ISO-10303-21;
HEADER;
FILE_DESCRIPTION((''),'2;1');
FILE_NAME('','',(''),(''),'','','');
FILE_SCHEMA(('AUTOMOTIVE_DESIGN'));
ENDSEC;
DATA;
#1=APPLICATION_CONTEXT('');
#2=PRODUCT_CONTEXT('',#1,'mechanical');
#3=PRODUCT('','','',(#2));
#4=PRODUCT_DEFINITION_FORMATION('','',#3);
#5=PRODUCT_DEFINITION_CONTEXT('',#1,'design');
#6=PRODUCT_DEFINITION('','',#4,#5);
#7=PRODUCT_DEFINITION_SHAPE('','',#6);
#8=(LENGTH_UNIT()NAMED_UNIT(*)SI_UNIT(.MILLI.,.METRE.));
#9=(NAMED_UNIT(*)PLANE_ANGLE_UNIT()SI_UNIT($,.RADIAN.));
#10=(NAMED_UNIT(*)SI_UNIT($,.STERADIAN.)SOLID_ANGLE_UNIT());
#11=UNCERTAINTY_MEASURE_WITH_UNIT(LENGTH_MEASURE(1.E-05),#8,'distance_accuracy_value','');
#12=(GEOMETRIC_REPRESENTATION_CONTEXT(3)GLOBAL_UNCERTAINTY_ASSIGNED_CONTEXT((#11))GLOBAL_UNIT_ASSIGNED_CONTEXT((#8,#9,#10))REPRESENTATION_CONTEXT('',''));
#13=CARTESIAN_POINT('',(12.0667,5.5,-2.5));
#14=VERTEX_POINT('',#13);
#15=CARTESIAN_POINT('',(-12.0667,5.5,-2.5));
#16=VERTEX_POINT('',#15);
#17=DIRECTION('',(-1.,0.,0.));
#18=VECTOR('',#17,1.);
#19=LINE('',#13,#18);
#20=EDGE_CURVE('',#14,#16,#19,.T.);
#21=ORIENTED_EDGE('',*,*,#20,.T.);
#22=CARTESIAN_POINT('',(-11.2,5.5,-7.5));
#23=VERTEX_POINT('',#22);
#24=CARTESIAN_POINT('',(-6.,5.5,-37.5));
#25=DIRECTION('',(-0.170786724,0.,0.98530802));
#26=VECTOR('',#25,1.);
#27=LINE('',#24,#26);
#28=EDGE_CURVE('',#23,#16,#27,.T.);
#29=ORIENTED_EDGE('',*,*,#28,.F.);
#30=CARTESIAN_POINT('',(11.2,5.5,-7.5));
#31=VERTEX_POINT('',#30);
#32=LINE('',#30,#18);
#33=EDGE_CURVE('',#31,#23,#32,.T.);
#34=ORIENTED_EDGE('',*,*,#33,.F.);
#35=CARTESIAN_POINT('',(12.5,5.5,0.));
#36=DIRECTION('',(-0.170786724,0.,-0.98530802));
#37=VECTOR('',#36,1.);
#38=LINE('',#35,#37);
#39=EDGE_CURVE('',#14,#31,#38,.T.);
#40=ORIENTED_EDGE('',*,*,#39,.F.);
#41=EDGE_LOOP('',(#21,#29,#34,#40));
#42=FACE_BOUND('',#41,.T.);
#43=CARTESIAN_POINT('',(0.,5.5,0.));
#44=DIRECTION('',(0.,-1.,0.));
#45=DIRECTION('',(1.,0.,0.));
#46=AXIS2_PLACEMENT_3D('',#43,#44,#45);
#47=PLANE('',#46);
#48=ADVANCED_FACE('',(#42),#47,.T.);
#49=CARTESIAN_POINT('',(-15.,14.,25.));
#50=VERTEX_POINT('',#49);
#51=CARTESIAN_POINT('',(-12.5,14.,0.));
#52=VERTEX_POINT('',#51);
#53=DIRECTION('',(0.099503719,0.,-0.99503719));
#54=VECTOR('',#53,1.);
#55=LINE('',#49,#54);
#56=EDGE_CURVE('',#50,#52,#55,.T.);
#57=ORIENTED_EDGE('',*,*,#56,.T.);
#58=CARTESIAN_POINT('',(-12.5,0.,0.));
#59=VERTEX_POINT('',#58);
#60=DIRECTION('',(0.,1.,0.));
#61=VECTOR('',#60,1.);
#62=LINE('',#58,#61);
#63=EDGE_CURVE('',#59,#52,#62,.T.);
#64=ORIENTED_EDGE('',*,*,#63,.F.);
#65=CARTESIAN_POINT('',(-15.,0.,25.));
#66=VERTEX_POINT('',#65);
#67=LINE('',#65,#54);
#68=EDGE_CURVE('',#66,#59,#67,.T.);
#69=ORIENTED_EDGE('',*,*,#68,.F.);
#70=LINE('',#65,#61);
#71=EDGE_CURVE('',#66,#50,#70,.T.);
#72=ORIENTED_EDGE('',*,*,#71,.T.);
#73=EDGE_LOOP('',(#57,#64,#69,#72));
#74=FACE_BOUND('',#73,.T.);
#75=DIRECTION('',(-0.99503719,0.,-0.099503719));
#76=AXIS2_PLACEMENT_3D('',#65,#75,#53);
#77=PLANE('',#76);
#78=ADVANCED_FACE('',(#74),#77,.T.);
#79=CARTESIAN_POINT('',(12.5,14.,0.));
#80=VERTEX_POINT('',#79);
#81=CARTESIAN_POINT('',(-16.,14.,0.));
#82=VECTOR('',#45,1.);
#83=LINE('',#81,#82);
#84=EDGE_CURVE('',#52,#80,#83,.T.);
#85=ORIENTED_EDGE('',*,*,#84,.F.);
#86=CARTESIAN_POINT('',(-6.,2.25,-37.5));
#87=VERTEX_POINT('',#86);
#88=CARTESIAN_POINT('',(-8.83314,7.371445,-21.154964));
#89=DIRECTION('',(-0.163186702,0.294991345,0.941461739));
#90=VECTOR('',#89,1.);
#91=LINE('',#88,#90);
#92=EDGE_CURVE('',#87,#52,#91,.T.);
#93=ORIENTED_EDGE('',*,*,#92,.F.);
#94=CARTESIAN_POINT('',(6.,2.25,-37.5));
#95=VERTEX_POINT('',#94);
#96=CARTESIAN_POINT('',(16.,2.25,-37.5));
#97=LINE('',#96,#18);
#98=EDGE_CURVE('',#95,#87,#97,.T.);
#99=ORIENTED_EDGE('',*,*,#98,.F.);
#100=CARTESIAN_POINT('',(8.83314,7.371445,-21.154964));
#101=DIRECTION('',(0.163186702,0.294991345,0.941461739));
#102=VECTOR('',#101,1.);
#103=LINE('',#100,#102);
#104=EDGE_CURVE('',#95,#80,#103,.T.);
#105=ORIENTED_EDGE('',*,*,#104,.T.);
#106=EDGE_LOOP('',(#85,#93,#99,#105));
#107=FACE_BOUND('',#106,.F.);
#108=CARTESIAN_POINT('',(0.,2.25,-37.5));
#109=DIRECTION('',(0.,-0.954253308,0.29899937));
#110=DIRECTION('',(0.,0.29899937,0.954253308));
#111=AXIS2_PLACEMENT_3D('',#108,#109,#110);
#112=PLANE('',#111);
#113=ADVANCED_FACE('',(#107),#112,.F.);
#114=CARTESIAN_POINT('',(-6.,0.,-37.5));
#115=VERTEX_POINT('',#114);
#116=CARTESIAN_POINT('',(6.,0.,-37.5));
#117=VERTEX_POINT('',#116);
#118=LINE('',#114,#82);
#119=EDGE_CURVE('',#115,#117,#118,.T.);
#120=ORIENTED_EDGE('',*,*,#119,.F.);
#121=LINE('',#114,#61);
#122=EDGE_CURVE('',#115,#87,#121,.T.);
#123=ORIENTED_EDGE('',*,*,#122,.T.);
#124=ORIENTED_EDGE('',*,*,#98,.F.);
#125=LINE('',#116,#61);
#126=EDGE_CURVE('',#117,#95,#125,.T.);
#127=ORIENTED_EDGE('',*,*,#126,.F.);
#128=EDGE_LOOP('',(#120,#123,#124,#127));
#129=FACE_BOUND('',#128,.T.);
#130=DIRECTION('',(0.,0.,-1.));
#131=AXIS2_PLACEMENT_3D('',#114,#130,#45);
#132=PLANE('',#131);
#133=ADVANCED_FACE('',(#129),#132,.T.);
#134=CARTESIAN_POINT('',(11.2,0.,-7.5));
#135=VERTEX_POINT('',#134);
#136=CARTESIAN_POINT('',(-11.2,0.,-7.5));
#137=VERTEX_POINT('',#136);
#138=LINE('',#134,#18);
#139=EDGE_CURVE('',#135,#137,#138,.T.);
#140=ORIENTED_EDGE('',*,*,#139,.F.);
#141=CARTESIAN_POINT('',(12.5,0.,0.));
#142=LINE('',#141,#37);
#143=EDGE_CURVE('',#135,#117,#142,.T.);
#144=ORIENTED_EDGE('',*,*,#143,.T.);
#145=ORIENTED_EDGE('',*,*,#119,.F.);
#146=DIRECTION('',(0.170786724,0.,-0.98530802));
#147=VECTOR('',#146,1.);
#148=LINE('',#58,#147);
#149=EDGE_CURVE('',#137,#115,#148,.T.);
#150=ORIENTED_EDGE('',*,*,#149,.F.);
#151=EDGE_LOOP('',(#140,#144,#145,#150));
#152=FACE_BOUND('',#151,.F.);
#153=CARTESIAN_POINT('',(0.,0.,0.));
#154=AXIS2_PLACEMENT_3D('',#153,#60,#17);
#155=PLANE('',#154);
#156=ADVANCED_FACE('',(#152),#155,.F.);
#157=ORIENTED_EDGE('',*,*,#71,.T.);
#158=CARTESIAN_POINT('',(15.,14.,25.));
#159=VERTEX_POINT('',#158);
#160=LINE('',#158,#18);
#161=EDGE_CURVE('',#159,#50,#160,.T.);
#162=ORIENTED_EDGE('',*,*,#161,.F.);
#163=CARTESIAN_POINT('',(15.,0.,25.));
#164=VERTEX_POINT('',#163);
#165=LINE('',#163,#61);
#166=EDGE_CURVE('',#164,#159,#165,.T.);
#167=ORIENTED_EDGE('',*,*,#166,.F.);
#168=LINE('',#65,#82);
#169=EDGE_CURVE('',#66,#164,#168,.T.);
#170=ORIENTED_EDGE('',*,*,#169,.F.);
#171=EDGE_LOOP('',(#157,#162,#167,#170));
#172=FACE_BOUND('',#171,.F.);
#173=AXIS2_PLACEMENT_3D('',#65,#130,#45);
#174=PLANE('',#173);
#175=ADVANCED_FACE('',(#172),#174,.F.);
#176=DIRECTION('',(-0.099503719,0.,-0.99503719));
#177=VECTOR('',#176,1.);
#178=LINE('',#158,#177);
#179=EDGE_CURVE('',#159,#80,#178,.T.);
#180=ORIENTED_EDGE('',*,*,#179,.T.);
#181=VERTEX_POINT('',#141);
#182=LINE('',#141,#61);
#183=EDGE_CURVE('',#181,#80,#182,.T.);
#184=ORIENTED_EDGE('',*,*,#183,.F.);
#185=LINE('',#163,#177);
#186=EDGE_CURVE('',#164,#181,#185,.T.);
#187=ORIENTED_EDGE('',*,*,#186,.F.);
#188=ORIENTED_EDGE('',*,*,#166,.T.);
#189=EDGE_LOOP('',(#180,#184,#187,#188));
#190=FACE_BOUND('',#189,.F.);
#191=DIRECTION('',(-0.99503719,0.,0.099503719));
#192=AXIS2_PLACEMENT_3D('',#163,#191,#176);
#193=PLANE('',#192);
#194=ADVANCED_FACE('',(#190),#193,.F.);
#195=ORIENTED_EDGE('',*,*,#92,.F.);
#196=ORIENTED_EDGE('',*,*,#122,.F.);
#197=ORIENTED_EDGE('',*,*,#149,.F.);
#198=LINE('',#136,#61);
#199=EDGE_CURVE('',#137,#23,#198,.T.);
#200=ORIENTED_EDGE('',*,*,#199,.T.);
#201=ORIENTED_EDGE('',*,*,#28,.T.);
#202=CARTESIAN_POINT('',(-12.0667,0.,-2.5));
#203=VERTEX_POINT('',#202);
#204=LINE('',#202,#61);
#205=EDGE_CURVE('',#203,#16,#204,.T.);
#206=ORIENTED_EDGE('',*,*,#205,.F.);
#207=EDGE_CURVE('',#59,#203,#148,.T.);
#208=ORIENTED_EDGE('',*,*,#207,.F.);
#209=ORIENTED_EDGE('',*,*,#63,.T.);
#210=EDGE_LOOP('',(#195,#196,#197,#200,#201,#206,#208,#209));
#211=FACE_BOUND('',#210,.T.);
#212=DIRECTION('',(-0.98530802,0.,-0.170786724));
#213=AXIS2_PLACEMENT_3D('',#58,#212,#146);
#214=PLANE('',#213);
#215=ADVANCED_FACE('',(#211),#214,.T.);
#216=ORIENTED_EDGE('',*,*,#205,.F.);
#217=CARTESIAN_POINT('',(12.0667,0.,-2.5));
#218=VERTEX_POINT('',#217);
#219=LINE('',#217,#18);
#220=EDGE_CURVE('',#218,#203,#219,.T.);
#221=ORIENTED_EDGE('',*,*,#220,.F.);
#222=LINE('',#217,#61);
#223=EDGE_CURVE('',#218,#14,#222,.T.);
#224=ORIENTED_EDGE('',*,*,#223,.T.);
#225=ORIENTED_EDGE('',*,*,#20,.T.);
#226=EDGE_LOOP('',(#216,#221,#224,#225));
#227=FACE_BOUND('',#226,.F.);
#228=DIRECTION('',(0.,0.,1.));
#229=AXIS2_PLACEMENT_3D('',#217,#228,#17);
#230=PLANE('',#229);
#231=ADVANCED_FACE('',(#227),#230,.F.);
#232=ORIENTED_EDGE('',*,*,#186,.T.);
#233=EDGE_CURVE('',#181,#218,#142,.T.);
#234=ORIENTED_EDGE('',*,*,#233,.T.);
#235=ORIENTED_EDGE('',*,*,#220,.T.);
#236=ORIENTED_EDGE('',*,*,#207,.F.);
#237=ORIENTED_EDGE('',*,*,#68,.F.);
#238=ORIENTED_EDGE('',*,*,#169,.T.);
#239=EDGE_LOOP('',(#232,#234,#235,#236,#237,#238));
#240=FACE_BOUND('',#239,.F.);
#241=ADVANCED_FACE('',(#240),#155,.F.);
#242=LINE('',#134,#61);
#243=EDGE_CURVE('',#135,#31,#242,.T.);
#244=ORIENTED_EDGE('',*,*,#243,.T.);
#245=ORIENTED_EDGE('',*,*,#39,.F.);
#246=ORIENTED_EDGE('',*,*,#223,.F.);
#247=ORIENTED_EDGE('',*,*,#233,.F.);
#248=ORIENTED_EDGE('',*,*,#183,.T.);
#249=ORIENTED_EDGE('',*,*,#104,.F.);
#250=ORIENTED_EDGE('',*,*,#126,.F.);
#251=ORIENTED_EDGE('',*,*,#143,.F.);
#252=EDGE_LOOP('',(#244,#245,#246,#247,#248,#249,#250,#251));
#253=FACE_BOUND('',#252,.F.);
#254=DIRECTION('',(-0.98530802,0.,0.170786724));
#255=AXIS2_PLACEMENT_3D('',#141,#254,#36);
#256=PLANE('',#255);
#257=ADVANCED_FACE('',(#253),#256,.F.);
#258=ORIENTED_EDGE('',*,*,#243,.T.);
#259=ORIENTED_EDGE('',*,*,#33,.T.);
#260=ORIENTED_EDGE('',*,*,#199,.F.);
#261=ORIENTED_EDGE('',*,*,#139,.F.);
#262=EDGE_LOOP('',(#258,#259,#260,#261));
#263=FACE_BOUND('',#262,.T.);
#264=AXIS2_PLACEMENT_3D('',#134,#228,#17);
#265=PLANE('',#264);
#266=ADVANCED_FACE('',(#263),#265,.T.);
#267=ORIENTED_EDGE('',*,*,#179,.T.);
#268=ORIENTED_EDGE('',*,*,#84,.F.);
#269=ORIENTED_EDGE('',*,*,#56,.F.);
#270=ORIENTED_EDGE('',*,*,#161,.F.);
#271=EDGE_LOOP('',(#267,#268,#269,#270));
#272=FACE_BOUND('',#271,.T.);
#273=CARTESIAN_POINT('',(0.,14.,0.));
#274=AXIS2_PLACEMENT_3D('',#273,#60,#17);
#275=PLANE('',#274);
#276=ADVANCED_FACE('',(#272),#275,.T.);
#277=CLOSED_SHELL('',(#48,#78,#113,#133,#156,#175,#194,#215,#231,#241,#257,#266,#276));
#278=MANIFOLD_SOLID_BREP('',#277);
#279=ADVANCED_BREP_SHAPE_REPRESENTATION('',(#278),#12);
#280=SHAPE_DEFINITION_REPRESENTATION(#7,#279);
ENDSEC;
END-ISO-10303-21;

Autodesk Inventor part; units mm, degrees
ref_plane "YZ Plane" through (0, 0, 0) normal (1, 0, 0) x (0, 1, 0)
ref_plane "XZ Plane" through (0, 0, 0) normal (0, 1, 0) x (-1, 0, 0)
ref_plane "XY Plane" through (0, 0, 0) normal (0, 0, 1) x (1, 0, 0)
sketch "Sketch1" plane through (0, 0, 0) normal (0, 1, 0) x (-1, 0, 0)
  line L0 (15, 25) -> (-15, 25)
  line L1 (12.5, 0) -> (-12.5, 0)
  line L2 (6, -37.5) -> (-6, -37.5)
  line L3 (15, 25) -> (12.5, 0)
  line L4 (6, -37.5) -> (12.5, 0)
  line L5 (-15, 25) -> (-12.5, 0)
  line L6 (-12.5, 0) -> (-6, -37.5)
  line L7 (21, 0) -> (-21, 0) projected
  line L8 (0, -50) -> (0, 37.5) projected
  point P0 (0, 0)
  point P1 (0, 25)
  point P2 (0, 0)
  point P3 (0, -37.5)
  dimension "d0" = 30
  dimension "d1" = 25
  dimension "d2" = 12
  dimension "d3" = 25
  dimension "d4" = 37.5
extrude "Extrusion1" add sketch "Sketch1" along normal blind 14 contours L3 L1 L8 L0 | L8 L1 L5 L0
sketch "Sketch2" plane through (0, 0, 0) normal (0, 1, 0) x (-1, 0, 0)
  line L0 (6, -37.5) -> (-6, -37.5)
  line L1 (-12.5, 0) -> (12.5, 0) projected
  line L2 (12.5, 0) -> (15, 25) projected
  line L3 (12.5, 0) -> (6, -37.5)
  line L4 (-12.5, 0) -> (-6, -37.5)
  line L5 (12.5, 0) -> (-12.5, 0)
  point P0 (0, 0)
  point P1 (0, -37.5)
  point P2 (0, 0)
  dimension "d7" = 12
  dimension "d8" = 37.5
extrude "Extrusion2" add sketch "Sketch2" along normal blind 14
sketch "Sketch3" plane through (0, 0, 0) normal (1, 0, 0) x (0, 1, 0)
  line L0 (-2.8, 0) -> (16.8, 0) projected
  line L1 (0, -50) -> (0, 37.5) projected
  line L2 (0, -37.5) -> (14, -37.5) projected
  line L3 (14, -37.5) -> (14, 0) projected
  line L4 (0, -37.5) -> (0, 0) projected
  line L5 (14, 0) -> (14, 25) projected
  line L6 (0, 25) -> (14, 25) projected
  line L7 (0, 0) -> (14, 0) projected
  line L8 (0, -37.5) -> (2.25, -37.5)
  line L9 (2.25, -37.5) -> (14, 0)
  line L10 (14, 0) -> (14, -37.5)
  line L11 (2.25, -37.5) -> (14, -37.5)
  dimension "d11" = 2.25
extrude "Extrusion3" cut sketch "Sketch3" along normal through all both and the other way through all contours L3 L2 L9
sketch "Sketch4" plane through (0, 0, 0) normal (0, -1, 0) x (1, 0, 0)
  line L0 (12.5, 0) -> (6, -37.5) projected
  line L1 (12.0667, -2.5) -> (-12.0667, -2.5)
  line L2 (-6, -37.5) -> (-12.5, 0) projected
  line L3 (11.2, -7.5) -> (-11.2, -7.5)
  line L4 (-15, 25) -> (15, 25) projected
  line L5 (12.0667, -2.5) -> (11.2, -7.5)
  line L6 (-12.0667, -2.5) -> (-11.2, -7.5)
  point P0 (0, 0)
  dimension "d14" = 27.5
  dimension "d15" = 5
extrude "Extrusion4" cut sketch "Sketch4" against normal blind 5.5
properties part number "FP Front Hood"
